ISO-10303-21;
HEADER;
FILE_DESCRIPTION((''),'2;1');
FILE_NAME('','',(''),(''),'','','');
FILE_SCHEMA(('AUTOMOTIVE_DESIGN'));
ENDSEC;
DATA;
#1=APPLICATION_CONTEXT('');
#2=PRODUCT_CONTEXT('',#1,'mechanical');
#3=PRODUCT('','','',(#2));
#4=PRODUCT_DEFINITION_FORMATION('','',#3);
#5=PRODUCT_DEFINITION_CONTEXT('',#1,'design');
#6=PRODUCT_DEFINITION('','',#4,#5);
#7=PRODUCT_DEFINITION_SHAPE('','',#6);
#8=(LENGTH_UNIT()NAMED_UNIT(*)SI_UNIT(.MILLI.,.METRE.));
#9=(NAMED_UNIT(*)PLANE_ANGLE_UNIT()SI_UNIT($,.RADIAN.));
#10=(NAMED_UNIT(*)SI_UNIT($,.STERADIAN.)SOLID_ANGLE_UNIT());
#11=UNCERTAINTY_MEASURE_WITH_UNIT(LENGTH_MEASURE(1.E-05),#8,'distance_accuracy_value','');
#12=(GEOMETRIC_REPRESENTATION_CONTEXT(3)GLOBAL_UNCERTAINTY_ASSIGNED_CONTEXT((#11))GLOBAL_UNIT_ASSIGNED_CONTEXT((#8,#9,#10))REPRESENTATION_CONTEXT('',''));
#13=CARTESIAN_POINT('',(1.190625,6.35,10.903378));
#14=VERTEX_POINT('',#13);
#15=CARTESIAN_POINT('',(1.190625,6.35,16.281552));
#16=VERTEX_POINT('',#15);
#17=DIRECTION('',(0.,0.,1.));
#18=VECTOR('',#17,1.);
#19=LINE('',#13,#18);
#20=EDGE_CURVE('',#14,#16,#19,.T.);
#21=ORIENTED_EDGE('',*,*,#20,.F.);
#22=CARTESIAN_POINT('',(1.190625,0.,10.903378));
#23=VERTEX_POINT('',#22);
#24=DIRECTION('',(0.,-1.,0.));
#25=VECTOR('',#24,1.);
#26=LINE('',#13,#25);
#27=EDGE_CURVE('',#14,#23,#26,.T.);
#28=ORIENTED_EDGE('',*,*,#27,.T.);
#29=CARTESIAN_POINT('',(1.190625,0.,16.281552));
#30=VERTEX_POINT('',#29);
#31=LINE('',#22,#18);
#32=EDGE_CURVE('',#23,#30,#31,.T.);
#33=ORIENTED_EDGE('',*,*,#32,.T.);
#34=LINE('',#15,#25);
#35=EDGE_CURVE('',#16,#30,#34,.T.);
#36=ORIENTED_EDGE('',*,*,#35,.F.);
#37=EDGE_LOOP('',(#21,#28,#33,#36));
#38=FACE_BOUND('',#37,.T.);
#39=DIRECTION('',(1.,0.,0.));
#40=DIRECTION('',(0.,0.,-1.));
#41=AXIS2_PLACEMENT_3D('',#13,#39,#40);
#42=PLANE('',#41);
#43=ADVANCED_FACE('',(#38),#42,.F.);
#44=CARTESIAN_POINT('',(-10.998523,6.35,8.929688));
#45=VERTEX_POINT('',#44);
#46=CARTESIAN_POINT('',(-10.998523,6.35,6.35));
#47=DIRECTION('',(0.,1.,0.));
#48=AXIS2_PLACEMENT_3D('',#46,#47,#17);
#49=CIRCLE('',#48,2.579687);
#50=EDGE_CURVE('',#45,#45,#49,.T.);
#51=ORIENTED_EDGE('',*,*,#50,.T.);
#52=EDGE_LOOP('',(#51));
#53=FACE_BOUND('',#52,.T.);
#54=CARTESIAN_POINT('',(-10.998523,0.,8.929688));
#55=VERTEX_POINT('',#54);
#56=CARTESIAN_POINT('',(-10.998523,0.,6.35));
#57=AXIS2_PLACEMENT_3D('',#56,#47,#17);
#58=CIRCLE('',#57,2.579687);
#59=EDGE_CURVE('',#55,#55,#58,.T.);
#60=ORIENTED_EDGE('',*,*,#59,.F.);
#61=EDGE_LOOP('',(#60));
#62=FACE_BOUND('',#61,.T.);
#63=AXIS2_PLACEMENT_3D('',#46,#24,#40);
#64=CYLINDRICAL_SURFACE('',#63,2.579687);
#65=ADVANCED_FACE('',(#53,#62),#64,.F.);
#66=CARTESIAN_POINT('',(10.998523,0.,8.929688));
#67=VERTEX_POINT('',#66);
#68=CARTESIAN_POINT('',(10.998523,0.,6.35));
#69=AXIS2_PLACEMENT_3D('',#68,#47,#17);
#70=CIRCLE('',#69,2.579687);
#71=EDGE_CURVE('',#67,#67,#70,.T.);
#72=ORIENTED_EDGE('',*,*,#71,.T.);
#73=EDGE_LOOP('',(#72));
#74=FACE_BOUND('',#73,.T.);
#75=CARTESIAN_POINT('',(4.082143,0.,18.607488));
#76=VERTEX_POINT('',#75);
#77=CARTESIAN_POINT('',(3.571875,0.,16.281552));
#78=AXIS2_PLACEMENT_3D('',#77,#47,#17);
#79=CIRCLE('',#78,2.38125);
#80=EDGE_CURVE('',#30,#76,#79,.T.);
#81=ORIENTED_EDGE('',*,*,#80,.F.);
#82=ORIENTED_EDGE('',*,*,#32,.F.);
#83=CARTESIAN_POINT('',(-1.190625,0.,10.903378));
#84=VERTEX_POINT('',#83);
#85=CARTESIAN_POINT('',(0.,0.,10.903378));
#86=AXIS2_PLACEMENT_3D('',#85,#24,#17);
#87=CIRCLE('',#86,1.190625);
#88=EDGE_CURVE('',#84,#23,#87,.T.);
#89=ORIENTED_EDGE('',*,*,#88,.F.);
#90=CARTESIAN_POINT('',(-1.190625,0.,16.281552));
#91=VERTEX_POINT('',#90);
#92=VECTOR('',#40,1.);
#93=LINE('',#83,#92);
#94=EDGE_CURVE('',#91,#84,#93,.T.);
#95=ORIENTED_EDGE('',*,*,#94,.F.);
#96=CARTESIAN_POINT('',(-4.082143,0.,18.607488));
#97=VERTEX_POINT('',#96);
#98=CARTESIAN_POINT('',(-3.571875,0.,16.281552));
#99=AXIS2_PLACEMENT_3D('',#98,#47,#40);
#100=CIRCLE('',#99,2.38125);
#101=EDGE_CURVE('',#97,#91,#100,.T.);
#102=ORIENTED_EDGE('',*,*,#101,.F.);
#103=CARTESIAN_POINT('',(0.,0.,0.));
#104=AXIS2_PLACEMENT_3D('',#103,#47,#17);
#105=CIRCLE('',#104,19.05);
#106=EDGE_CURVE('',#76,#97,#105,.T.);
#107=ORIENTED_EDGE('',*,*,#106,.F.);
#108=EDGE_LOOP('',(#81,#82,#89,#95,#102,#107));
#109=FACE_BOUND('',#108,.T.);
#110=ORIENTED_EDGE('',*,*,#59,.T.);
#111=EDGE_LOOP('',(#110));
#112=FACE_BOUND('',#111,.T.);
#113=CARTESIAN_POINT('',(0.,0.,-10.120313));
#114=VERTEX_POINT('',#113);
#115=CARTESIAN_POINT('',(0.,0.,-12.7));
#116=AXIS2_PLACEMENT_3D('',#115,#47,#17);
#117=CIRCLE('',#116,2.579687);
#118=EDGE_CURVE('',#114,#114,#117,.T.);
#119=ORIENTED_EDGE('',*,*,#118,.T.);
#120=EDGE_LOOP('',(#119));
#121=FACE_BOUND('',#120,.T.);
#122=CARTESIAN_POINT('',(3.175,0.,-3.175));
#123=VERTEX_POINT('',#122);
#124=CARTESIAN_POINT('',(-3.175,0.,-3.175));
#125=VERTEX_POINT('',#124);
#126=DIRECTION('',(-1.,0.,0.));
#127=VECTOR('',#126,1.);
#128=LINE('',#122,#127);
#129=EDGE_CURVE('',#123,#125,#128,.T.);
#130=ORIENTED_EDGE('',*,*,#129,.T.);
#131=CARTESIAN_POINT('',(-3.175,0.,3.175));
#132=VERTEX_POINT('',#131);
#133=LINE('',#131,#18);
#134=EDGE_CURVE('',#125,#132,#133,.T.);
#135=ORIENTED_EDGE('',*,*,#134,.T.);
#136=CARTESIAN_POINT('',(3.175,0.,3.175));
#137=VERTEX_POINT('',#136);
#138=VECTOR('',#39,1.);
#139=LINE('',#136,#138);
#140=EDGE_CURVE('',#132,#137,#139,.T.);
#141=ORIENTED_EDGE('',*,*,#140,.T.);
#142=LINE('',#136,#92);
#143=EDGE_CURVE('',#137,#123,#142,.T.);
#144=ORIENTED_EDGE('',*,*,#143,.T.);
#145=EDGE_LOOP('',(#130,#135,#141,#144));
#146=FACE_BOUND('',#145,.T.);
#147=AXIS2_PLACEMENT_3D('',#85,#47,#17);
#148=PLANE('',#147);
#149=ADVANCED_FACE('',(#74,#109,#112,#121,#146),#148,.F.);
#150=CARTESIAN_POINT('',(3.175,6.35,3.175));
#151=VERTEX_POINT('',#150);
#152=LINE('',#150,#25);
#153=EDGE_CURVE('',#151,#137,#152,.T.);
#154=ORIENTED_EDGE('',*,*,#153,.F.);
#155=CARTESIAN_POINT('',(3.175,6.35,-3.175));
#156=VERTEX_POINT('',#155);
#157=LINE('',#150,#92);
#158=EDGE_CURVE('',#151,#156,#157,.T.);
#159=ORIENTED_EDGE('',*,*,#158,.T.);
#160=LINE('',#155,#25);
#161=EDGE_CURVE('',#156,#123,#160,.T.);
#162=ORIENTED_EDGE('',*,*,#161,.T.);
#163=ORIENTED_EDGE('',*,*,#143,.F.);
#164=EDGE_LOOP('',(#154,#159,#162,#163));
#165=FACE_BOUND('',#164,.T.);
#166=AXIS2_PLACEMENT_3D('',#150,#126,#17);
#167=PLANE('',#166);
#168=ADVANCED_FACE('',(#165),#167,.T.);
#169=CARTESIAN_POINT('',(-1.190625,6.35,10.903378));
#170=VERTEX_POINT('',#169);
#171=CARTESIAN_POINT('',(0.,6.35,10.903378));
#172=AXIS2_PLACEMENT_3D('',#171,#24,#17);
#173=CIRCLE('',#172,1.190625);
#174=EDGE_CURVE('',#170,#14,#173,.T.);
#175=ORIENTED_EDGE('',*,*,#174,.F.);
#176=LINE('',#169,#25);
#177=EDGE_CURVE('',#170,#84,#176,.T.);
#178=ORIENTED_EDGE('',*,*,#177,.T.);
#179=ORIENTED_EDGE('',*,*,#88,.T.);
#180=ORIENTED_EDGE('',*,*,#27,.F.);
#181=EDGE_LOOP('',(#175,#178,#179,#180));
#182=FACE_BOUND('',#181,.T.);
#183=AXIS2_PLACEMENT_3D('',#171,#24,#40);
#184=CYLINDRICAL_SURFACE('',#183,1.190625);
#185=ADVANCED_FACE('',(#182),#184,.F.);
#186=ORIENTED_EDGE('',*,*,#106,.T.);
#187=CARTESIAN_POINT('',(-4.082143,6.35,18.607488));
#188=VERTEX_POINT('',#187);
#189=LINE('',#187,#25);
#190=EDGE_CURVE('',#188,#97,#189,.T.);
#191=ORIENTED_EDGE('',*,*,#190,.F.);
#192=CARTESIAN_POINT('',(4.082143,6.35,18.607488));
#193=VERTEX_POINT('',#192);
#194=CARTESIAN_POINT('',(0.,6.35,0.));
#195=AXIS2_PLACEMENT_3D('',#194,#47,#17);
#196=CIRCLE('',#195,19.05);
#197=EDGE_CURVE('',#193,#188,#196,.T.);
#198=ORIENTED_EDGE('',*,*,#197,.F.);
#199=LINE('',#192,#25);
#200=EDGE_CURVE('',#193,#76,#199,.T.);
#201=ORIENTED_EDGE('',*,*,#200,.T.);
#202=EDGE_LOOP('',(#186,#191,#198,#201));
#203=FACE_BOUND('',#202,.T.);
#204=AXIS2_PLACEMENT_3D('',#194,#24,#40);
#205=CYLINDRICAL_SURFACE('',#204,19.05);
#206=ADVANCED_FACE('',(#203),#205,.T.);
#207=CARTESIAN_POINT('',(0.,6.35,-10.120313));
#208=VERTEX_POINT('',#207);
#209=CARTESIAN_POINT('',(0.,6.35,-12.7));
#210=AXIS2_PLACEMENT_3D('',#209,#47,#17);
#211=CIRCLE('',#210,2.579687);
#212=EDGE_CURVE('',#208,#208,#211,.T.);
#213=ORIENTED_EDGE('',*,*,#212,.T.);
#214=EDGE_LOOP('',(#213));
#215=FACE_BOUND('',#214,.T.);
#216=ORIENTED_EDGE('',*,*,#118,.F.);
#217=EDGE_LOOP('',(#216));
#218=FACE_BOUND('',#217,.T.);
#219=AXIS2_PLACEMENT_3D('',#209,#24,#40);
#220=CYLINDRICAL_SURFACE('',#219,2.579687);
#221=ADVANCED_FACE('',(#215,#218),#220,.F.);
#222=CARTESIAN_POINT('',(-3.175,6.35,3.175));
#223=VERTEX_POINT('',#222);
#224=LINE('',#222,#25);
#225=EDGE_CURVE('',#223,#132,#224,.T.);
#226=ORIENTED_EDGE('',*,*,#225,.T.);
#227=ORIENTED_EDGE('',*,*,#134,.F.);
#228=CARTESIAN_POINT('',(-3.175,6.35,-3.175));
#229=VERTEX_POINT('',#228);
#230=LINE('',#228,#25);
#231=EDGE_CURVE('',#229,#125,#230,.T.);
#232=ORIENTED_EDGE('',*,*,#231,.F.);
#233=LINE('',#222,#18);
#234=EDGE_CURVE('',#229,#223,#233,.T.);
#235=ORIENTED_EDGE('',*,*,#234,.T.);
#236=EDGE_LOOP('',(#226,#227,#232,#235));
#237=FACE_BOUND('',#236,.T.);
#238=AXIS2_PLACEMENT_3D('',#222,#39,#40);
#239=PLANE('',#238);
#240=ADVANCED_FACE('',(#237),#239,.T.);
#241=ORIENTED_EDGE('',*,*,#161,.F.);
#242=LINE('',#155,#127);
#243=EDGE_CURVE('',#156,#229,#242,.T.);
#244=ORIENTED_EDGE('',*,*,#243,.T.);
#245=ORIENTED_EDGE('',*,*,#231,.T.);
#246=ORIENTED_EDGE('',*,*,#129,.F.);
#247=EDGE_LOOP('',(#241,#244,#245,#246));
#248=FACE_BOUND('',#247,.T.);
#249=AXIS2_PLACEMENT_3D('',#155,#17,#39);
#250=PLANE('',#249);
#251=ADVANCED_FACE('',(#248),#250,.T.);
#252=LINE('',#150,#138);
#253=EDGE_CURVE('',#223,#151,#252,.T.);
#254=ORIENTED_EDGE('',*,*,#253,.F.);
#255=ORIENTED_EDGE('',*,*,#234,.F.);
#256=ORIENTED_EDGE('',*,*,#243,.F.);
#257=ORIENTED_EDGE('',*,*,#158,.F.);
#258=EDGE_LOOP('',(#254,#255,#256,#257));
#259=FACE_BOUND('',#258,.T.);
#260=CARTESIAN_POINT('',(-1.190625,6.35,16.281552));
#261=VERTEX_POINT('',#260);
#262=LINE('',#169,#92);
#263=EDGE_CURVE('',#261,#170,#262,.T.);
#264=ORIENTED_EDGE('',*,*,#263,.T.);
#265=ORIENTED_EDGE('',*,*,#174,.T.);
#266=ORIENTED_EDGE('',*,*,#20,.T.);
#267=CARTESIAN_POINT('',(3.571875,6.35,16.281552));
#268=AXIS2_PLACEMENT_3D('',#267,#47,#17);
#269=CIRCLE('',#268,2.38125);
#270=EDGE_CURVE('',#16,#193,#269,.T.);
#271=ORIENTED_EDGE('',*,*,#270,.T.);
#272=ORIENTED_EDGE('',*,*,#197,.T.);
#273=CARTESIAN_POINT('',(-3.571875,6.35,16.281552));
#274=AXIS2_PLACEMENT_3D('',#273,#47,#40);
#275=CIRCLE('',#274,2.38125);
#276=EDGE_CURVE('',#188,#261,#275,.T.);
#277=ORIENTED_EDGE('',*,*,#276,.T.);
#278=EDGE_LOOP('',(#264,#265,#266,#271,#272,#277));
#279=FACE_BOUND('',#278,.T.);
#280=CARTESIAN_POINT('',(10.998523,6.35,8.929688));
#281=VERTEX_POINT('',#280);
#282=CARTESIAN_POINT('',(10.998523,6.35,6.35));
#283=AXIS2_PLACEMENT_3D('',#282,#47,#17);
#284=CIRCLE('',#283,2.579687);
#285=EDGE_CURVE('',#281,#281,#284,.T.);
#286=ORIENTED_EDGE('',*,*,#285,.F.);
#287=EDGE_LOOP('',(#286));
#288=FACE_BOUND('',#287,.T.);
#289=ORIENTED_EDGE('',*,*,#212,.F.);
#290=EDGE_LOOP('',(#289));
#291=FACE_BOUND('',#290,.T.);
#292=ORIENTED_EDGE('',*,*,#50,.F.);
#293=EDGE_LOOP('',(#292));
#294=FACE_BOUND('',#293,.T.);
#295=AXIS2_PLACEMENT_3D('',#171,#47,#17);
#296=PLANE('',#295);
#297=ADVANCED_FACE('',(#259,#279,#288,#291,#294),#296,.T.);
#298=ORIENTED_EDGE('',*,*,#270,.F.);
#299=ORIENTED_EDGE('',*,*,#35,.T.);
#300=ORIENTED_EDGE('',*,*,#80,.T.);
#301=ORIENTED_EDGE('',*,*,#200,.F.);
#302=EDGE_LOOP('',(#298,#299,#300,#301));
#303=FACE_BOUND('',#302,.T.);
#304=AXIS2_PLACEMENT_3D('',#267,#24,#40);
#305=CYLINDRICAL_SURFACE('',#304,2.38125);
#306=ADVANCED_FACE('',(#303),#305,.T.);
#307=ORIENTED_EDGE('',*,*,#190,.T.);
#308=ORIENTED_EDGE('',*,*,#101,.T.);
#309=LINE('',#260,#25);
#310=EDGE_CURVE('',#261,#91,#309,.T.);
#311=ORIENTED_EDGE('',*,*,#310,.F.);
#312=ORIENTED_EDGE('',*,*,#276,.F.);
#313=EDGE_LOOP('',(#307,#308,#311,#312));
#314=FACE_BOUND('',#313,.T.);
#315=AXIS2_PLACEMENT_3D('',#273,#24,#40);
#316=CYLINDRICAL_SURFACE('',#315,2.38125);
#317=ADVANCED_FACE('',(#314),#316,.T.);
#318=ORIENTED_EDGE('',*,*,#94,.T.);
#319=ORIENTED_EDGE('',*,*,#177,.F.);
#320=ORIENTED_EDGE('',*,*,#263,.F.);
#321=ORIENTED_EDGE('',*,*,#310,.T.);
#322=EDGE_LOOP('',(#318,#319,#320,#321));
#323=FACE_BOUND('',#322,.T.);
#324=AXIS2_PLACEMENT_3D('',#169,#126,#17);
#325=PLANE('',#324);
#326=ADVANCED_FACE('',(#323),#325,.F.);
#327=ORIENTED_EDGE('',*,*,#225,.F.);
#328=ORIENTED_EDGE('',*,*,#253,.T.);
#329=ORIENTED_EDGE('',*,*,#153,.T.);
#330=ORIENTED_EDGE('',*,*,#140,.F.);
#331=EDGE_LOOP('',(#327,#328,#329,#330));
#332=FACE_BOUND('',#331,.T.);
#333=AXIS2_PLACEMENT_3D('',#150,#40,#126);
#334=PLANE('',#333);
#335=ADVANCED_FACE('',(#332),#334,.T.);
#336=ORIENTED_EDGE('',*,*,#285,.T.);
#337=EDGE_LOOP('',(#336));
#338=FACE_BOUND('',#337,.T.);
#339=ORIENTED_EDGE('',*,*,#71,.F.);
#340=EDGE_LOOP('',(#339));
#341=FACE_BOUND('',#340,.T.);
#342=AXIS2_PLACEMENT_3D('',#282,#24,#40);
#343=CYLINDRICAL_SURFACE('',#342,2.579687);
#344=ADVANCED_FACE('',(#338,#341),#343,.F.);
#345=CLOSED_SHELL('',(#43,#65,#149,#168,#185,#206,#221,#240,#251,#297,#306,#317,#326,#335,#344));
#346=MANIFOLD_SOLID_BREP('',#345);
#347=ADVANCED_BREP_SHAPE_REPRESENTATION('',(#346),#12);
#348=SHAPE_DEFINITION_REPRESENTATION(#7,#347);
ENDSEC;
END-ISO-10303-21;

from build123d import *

# Parameters (mm, degrees)
SKETCH1_R           = 2.5796875
SKETCH1_W           = 6.35
SKETCH1_H           = 6.35
BOSS_EXTRUDE1_DEPTH = 6.35


with BuildPart() as part:
    # Sketch1 → Boss-Extrude1 (new body)
    with BuildSketch(Plane(origin=(0, 0, 0), x_dir=(1, 0, 0), z_dir=(0, 1, 0))):
        with BuildLine():
            Line((-1.190625, -10.903378281), (-1.190625, -16.281552001))
            ThreePointArc((-1.190625, -16.281552001), (-2.079347575, -18.137007052), (-4.082142857, -18.607488001))
            ThreePointArc((-4.082142857, -18.607488001), (0, 19.05), (4.082142857, -18.607488001))
            ThreePointArc((4.082142857, -18.607488001), (2.079347575, -18.137007052), (1.190625, -16.281552001))
            Line((1.190625, -16.281552001), (1.190625, -10.903378281))
            ThreePointArc((1.190625, -10.903378281), (0, -9.712753281), (-1.190625, -10.903378281))
        make_face()
        with Locations((0, 12.7)):
            Circle(SKETCH1_R, mode=Mode.SUBTRACT)
        with Locations((10.998522628, -6.35)):
            Circle(SKETCH1_R, mode=Mode.SUBTRACT)
        with Locations((-10.998522628, -6.35)):
            Circle(SKETCH1_R, mode=Mode.SUBTRACT)
        Rectangle(SKETCH1_W, SKETCH1_H, mode=Mode.SUBTRACT)
    extrude(amount=BOSS_EXTRUDE1_DEPTH)


solid = part.part
